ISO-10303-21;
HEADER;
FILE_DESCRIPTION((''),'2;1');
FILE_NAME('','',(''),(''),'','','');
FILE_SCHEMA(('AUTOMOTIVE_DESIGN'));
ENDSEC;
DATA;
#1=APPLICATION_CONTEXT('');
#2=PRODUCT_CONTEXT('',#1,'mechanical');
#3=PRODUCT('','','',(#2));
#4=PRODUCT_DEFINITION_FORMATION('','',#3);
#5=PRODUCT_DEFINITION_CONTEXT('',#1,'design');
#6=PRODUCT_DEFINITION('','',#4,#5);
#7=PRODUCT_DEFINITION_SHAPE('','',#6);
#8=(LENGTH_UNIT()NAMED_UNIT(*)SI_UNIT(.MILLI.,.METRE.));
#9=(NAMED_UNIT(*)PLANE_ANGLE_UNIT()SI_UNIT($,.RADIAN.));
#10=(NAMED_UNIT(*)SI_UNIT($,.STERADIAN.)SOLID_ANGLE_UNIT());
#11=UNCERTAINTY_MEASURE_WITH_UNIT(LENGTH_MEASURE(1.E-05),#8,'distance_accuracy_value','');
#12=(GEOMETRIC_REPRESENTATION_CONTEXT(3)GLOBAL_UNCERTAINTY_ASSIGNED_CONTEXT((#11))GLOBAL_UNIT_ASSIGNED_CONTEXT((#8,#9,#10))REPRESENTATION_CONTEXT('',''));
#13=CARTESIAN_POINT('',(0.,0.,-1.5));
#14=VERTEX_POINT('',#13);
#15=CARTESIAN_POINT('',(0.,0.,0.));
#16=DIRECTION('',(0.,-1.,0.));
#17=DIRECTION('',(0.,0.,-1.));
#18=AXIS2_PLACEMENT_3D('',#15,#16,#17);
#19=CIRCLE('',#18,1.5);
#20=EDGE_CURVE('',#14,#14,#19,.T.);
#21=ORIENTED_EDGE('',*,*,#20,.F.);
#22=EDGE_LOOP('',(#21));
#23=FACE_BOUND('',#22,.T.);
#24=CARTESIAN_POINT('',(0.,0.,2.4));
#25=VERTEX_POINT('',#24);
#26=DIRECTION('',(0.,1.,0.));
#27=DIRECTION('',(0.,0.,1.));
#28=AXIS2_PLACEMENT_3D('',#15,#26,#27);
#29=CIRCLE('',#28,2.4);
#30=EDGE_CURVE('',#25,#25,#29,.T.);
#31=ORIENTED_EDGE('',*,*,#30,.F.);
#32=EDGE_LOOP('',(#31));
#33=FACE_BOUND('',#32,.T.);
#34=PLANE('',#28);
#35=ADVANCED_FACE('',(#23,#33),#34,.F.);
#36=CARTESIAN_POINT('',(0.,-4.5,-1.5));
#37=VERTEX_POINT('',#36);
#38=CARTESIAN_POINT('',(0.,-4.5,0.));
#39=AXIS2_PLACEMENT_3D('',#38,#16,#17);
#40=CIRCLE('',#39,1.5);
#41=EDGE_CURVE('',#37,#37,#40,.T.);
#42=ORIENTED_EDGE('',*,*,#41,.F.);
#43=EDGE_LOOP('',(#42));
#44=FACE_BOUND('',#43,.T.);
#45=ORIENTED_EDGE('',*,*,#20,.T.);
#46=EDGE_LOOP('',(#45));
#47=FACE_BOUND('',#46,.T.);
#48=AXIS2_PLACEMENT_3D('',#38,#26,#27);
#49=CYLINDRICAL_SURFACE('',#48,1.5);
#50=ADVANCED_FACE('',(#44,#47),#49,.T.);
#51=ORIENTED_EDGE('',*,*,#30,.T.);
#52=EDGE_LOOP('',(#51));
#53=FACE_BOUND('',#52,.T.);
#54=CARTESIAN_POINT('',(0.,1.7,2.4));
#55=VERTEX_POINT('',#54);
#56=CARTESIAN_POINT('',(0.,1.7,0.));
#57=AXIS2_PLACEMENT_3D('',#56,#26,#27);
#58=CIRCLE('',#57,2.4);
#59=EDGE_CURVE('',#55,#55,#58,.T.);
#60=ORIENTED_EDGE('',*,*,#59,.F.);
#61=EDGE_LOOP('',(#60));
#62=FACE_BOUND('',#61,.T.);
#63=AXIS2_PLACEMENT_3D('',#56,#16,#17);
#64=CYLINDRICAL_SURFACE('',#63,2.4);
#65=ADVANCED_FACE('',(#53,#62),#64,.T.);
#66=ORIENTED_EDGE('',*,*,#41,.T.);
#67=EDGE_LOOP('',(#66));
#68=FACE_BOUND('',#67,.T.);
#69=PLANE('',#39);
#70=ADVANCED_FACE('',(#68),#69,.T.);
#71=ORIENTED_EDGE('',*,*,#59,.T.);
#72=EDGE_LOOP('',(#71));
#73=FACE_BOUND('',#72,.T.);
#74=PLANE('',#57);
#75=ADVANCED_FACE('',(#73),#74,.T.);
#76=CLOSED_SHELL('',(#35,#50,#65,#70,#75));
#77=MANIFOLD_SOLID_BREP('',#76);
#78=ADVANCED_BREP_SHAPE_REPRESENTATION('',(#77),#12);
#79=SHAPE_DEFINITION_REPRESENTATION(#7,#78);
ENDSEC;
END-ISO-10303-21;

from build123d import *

# Parameters (mm, degrees)
ESQUISSE1_R        = 2.4
BOSS_EXTRU_1_DEPTH = 1.7
ESQUISSE2_R        = 1.5
BOSS_EXTRU_2_DEPTH = 4.5


with BuildPart() as part:
    # Esquisse1 → Boss.-Extru.1 (new body)
    with BuildSketch(Plane(origin=(0, 0, 0), x_dir=(1, 0, 0), z_dir=(0, 1, 0))):
        with Locations(Location((0, 0, 0), (0, 0, 270))):
            Circle(ESQUISSE1_R)
    extrude(amount=BOSS_EXTRU_1_DEPTH)

    # Esquisse2 → Boss.-Extru.2 (add)
    with BuildSketch(Plane.XZ):
        with Locations(Location((0, 0, 0), (0, 0, 270))):
            Circle(ESQUISSE2_R)
    extrude(amount=BOSS_EXTRU_2_DEPTH)


solid = part.part
